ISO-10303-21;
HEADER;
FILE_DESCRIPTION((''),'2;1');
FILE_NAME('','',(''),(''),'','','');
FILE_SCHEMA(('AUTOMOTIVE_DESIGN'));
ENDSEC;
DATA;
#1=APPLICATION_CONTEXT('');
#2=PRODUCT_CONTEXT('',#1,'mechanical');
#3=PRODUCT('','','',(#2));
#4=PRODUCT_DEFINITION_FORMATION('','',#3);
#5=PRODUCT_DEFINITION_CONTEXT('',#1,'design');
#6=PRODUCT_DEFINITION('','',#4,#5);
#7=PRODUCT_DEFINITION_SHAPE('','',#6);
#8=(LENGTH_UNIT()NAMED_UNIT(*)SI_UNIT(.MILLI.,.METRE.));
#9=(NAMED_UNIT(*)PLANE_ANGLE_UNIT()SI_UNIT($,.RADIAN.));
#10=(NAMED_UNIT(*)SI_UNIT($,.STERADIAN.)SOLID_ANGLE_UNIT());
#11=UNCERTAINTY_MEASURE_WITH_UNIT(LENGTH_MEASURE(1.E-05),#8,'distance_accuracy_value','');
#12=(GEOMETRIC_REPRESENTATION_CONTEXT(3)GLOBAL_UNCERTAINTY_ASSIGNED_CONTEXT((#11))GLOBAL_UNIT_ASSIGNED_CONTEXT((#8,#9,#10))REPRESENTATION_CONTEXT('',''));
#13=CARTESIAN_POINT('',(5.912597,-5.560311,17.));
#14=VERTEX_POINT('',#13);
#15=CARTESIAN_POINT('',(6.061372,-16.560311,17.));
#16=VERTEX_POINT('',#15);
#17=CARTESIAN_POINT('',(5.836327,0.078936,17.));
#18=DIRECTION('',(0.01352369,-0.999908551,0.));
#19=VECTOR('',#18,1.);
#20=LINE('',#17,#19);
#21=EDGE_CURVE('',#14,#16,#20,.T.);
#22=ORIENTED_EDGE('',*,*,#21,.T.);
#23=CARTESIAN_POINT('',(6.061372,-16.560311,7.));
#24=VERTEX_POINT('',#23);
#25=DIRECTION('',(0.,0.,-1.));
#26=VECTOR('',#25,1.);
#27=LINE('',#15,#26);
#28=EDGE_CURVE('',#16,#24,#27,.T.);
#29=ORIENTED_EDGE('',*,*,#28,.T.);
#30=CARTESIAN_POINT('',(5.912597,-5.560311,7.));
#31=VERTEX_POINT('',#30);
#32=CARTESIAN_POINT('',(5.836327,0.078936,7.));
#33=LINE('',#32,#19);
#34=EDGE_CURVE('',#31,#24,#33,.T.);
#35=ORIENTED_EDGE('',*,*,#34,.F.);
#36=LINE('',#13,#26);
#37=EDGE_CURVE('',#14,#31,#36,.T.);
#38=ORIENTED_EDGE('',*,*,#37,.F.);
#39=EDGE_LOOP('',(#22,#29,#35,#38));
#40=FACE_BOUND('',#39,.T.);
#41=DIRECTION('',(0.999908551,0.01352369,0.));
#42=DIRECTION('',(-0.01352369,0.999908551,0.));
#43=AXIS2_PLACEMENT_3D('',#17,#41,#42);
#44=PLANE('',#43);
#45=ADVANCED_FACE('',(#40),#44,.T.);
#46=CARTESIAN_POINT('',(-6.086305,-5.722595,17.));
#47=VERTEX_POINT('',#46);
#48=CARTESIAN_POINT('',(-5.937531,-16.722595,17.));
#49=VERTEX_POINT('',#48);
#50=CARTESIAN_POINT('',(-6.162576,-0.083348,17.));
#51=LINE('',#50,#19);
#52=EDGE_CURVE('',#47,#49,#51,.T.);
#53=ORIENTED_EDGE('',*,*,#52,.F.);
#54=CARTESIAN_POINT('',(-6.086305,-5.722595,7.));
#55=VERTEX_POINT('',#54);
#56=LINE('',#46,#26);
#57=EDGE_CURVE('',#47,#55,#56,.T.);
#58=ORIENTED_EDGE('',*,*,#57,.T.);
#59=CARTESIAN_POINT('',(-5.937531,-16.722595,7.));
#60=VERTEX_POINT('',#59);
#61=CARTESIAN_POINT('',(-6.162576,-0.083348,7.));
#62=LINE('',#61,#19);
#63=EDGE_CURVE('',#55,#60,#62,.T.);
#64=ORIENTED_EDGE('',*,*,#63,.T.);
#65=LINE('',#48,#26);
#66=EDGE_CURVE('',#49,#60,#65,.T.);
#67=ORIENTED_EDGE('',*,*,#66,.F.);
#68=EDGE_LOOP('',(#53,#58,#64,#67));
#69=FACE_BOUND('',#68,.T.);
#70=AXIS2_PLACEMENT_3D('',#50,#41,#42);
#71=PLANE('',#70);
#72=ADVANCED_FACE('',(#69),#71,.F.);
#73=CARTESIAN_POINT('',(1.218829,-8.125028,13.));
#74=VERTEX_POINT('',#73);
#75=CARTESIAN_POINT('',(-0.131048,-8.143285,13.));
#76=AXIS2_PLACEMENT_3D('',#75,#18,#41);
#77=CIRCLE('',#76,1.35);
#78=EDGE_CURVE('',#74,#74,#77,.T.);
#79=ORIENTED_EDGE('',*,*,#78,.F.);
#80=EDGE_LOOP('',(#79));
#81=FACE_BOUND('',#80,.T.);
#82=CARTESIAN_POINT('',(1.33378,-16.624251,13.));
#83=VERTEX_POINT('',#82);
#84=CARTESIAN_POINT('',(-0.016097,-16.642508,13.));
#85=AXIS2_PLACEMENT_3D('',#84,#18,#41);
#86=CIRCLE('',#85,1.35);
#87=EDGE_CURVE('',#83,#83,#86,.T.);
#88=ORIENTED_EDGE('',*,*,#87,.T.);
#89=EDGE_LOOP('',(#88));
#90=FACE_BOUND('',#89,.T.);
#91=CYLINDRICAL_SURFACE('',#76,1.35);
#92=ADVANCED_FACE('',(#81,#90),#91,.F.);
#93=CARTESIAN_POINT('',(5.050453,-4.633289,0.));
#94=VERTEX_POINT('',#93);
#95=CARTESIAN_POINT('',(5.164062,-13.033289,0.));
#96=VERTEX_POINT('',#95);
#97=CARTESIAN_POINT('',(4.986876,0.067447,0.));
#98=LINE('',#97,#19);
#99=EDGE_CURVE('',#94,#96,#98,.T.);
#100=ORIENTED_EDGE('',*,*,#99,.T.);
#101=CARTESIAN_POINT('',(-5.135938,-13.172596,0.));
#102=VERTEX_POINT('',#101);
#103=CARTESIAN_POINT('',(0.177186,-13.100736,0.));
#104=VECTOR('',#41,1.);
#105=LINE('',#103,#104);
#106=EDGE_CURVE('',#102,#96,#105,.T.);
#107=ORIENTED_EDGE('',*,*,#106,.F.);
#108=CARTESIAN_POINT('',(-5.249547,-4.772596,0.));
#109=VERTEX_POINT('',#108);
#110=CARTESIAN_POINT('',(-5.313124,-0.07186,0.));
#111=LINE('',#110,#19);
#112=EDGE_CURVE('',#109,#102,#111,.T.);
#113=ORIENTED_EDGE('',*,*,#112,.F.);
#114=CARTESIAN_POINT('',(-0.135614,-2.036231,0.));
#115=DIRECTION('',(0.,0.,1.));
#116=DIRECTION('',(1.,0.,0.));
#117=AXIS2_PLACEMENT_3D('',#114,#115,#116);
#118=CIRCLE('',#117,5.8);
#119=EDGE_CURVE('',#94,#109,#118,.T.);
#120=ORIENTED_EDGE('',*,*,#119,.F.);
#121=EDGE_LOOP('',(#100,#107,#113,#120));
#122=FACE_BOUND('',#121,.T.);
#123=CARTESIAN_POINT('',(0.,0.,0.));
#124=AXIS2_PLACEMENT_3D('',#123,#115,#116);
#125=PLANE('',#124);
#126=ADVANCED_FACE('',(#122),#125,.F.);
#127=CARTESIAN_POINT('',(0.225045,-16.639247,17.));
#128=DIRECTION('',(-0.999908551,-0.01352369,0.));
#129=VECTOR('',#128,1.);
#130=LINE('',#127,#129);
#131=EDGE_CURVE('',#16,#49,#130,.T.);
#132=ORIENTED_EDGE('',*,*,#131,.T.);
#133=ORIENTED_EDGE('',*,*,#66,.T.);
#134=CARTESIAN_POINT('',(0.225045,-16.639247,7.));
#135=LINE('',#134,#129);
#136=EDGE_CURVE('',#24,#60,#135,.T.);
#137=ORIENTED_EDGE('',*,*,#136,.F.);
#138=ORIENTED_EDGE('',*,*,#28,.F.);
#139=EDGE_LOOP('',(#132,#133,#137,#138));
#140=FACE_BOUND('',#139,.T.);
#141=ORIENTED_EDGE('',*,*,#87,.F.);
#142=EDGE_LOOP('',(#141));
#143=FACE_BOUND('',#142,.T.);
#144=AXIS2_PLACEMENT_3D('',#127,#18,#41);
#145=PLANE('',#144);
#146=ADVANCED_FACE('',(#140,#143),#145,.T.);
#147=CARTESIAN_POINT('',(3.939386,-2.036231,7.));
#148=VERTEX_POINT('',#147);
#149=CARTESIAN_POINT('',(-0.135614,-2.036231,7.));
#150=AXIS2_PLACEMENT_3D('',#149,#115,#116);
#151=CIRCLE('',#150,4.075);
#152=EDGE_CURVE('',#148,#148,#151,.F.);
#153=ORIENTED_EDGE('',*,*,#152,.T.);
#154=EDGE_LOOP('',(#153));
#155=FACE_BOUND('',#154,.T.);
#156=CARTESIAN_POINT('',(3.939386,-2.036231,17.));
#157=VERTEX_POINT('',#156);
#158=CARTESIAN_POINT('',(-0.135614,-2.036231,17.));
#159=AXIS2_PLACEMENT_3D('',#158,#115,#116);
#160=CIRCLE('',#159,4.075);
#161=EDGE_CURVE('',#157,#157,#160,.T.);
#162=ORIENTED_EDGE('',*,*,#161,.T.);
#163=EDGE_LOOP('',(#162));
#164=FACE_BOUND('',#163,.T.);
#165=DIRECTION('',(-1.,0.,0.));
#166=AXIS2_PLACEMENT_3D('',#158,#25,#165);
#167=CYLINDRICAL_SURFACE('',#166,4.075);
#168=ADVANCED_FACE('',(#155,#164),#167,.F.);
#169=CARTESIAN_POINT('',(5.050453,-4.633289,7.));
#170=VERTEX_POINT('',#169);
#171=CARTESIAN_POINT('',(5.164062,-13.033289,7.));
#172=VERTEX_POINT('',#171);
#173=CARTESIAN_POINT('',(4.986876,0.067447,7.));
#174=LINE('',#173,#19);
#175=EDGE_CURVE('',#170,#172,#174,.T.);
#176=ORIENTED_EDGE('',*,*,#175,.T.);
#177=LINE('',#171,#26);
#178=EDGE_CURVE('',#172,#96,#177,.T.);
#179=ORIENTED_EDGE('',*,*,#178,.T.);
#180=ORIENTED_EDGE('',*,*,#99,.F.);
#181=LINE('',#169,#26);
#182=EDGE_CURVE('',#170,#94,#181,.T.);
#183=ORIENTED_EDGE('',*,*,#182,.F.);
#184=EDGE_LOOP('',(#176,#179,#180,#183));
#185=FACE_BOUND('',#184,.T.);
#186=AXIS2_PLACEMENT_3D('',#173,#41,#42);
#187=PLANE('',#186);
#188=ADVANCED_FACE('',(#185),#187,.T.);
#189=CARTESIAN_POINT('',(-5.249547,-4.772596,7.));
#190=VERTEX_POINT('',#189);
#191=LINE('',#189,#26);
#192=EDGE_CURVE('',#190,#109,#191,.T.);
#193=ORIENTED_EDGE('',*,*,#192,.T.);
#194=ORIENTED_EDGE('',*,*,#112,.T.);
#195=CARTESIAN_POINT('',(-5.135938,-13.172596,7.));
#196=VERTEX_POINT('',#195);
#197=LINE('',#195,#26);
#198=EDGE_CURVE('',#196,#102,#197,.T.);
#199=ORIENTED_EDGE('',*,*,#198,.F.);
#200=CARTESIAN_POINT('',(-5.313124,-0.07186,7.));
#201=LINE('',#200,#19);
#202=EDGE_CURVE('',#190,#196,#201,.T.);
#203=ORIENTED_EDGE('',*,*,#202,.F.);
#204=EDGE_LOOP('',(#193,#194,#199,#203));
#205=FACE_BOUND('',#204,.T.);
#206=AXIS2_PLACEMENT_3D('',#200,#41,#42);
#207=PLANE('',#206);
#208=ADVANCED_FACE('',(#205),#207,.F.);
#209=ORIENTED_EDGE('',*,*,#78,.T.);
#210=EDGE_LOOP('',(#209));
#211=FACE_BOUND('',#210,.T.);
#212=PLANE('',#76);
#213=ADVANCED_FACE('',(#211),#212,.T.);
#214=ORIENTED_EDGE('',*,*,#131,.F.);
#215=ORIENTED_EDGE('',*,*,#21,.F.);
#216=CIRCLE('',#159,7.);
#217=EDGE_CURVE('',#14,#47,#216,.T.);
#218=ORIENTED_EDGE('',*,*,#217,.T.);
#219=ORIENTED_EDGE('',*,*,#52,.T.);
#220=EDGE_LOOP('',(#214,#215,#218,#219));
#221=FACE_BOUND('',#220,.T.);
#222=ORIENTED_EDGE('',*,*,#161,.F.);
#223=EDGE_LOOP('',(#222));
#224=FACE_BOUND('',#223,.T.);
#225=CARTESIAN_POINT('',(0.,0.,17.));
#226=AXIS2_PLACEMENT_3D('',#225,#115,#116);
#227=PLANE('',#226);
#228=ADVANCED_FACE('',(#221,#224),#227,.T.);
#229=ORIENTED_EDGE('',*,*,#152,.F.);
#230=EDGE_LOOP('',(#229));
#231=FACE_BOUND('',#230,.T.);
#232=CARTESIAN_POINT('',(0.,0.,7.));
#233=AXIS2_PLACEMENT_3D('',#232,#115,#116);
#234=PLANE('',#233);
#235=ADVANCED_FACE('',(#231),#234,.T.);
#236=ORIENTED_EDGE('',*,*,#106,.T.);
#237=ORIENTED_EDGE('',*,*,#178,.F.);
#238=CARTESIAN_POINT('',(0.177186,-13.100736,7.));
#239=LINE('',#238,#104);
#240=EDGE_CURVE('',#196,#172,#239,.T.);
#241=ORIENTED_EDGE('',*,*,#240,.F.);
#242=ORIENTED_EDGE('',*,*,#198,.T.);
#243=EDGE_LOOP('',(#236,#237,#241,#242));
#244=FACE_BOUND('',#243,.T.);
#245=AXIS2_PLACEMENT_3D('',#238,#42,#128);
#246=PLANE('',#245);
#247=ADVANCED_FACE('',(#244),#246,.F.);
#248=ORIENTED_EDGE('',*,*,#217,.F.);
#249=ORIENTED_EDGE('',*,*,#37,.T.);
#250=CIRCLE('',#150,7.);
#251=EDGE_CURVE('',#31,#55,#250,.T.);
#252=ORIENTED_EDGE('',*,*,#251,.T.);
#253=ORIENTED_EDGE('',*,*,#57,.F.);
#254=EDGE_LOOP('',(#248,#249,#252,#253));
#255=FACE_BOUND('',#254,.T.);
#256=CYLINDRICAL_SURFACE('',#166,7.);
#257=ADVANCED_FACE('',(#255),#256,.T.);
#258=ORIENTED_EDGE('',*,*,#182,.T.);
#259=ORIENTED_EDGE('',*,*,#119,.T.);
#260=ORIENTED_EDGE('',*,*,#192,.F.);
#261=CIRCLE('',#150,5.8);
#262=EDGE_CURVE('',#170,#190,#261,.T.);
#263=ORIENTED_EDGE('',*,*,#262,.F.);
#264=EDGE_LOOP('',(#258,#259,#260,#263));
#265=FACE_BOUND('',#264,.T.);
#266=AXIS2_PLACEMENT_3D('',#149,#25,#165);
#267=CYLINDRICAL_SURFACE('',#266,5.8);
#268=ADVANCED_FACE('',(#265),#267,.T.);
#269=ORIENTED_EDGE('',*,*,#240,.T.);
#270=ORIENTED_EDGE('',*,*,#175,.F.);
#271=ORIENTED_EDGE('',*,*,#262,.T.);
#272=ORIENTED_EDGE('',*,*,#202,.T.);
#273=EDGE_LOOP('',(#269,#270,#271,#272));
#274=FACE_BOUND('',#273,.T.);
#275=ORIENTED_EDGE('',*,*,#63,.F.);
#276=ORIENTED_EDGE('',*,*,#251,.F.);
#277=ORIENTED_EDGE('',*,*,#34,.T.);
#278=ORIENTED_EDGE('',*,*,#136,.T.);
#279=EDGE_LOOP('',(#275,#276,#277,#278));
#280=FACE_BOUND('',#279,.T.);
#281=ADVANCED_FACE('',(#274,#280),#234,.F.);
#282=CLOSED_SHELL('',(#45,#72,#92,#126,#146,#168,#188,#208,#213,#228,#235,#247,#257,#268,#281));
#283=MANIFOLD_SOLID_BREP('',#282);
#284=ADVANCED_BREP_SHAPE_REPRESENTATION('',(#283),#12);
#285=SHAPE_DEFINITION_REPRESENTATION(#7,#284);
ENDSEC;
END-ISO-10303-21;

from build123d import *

# Parameters (mm, degrees)
BOSS_EXTRUDE1_DEPTH = 7
BOSS_EXTRUDE3_DEPTH = 10
SKETCH6_R           = 1.35
CUT_EXTRUDE3_DEPTH  = 8.5


with BuildPart() as part:
    # Sketch1 → Boss-Extrude1 (new body)
    with BuildSketch(Plane.XY):
        with BuildLine():
            ThreePointArc((5.050452833, -4.633288902), (-0.057176836, -7.835700867), (-5.249547167, -4.77259565))
            Line((-5.249547167, -4.77259565), (-5.135937781, -13.17259565))
            Line((-5.135937781, -13.17259565), (5.164062219, -13.033288902))
            Line((5.164062219, -13.033288902), (5.050452833, -4.633288902))
        make_face()
        with BuildLine():
            ThreePointArc((5.664385761, -2.036231273), (-1.546144107, 3.589638037), (-5.249547167, -4.77259565))
            Line((-5.249547167, -4.77259565), (5.050452833, -4.633288902))
            ThreePointArc((5.050452833, -4.633288902), (5.508816158, -3.370549635), (5.664385761, -2.036231273))
        make_face()
        with BuildLine():
            Line((5.050452833, -4.633288902), (-5.249547167, -4.77259565))
            ThreePointArc((-5.249547167, -4.77259565), (-0.057176836, -7.835700867), (5.050452833, -4.633288902))
        make_face()
    extrude(amount=BOSS_EXTRUDE1_DEPTH)

    # Sketch2 → Boss-Extrude3 (add)
    with BuildSketch(Plane.XY.offset(7)):
        with BuildLine():
            Line((5.063146119, -5.571799449), (5.912597424, -5.560310683))
            ThreePointArc((5.912597424, -5.560310683), (6.622250869, -3.861405013), (6.864385761, -2.036231273))
            ThreePointArc((6.864385761, -2.036231273), (-2.052012342, 4.696332749), (-6.086305185, -5.722594964))
            Line((-6.086305185, -5.722594964), (-5.236853881, -5.711106197))
            Line((-5.236853881, -5.711106197), (-5.249547167, -4.77259565))
            ThreePointArc((-5.249547167, -4.77259565), (-0.214051642, 3.763238321), (5.050452833, -4.633288902))
            Line((5.050452833, -4.633288902), (5.063146119, -5.571799449))
        make_face()
        with BuildLine():
            Line((1.811820806, -5.615773387), (5.063146119, -5.571799449))
            Line((5.063146119, -5.571799449), (5.050452833, -4.633288902))
            ThreePointArc((5.050452833, -4.633288902), (-0.214051642, 3.763238321), (-5.249547167, -4.77259565))
            Line((-5.249547167, -4.77259565), (-5.236853881, -5.711106197))
            Line((-5.236853881, -5.711106197), (-1.985528568, -5.66713226))
            ThreePointArc((-1.985528568, -5.66713226), (-2.264842281, 1.438248968), (3.939385761, -2.036231273))
            ThreePointArc((3.939385761, -2.036231273), (3.367343284, -4.118276805), (1.811820806, -5.615773387))
        make_face()
        with BuildLine():
            Line((5.078495254, -6.706676883), (5.063146119, -5.571799449))
            Line((5.063146119, -5.571799449), (1.811820806, -5.615773387))
            ThreePointArc((1.811820806, -5.615773387), (-0.080505202, -6.110858617), (-1.985528568, -5.66713226))
            Line((-1.985528568, -5.66713226), (-5.236853881, -5.711106197))
            Line((-5.236853881, -5.711106197), (-5.221504746, -6.845983631))
            ThreePointArc((-5.221504746, -6.845983631), (-0.040948408, -9.035591128), (5.078495254, -6.706676883))
        make_face()
        with BuildLine():
            Line((5.164062219, -13.033288902), (5.078495254, -6.706676883))
            ThreePointArc((5.078495254, -6.706676883), (-0.040948408, -9.035591128), (-5.221504746, -6.845983631))
            Line((-5.221504746, -6.845983631), (-5.135937781, -13.17259565))
            Line((-5.135937781, -13.17259565), (5.164062219, -13.033288902))
        make_face()
        with BuildLine():
            Line((6.06137162, -16.560310683), (5.912597424, -5.560310683))
            ThreePointArc((5.912597424, -5.560310683), (5.524642674, -6.154664432), (5.078495254, -6.706676883))
            Line((5.078495254, -6.706676883), (5.164062219, -13.033288902))
            Line((5.164062219, -13.033288902), (-5.135937781, -13.17259565))
            Line((-5.135937781, -13.17259565), (-5.221504746, -6.845983631))
            ThreePointArc((-5.221504746, -6.845983631), (-5.6824181, -6.30623911), (-6.086305185, -5.722594964))
            Line((-6.086305185, -5.722594964), (-5.937530989, -16.722594964))
            Line((-5.937530989, -16.722594964), (6.06137162, -16.560310683))
        make_face()
        with BuildLine():
            ThreePointArc((5.078495254, -6.706676883), (5.524642674, -6.154664432), (5.912597424, -5.560310683))
            Line((5.912597424, -5.560310683), (5.063146119, -5.571799449))
            Line((5.063146119, -5.571799449), (5.078495254, -6.706676883))
        make_face()
        with BuildLine():
            Line((-5.236853881, -5.711106197), (-6.086305185, -5.722594964))
            ThreePointArc((-6.086305185, -5.722594964), (-5.6824181, -6.30623911), (-5.221504746, -6.845983631))
            Line((-5.221504746, -6.845983631), (-5.236853881, -5.711106197))
        make_face()
    extrude(amount=BOSS_EXTRUDE3_DEPTH)

    # Sketch6 → Cut-Extrude3 (cut)
    with BuildSketch(Plane(origin=(0.225044595, -16.639246579, 0), x_dir=(-0.999908551, -0.01352369, 0), z_dir=(0.01352369, -0.999908551, 0))):
        with Locations((0.241163233, -13)):
            Circle(SKETCH6_R)
    extrude(amount=-CUT_EXTRUDE3_DEPTH, mode=Mode.SUBTRACT)


solid = part.part
